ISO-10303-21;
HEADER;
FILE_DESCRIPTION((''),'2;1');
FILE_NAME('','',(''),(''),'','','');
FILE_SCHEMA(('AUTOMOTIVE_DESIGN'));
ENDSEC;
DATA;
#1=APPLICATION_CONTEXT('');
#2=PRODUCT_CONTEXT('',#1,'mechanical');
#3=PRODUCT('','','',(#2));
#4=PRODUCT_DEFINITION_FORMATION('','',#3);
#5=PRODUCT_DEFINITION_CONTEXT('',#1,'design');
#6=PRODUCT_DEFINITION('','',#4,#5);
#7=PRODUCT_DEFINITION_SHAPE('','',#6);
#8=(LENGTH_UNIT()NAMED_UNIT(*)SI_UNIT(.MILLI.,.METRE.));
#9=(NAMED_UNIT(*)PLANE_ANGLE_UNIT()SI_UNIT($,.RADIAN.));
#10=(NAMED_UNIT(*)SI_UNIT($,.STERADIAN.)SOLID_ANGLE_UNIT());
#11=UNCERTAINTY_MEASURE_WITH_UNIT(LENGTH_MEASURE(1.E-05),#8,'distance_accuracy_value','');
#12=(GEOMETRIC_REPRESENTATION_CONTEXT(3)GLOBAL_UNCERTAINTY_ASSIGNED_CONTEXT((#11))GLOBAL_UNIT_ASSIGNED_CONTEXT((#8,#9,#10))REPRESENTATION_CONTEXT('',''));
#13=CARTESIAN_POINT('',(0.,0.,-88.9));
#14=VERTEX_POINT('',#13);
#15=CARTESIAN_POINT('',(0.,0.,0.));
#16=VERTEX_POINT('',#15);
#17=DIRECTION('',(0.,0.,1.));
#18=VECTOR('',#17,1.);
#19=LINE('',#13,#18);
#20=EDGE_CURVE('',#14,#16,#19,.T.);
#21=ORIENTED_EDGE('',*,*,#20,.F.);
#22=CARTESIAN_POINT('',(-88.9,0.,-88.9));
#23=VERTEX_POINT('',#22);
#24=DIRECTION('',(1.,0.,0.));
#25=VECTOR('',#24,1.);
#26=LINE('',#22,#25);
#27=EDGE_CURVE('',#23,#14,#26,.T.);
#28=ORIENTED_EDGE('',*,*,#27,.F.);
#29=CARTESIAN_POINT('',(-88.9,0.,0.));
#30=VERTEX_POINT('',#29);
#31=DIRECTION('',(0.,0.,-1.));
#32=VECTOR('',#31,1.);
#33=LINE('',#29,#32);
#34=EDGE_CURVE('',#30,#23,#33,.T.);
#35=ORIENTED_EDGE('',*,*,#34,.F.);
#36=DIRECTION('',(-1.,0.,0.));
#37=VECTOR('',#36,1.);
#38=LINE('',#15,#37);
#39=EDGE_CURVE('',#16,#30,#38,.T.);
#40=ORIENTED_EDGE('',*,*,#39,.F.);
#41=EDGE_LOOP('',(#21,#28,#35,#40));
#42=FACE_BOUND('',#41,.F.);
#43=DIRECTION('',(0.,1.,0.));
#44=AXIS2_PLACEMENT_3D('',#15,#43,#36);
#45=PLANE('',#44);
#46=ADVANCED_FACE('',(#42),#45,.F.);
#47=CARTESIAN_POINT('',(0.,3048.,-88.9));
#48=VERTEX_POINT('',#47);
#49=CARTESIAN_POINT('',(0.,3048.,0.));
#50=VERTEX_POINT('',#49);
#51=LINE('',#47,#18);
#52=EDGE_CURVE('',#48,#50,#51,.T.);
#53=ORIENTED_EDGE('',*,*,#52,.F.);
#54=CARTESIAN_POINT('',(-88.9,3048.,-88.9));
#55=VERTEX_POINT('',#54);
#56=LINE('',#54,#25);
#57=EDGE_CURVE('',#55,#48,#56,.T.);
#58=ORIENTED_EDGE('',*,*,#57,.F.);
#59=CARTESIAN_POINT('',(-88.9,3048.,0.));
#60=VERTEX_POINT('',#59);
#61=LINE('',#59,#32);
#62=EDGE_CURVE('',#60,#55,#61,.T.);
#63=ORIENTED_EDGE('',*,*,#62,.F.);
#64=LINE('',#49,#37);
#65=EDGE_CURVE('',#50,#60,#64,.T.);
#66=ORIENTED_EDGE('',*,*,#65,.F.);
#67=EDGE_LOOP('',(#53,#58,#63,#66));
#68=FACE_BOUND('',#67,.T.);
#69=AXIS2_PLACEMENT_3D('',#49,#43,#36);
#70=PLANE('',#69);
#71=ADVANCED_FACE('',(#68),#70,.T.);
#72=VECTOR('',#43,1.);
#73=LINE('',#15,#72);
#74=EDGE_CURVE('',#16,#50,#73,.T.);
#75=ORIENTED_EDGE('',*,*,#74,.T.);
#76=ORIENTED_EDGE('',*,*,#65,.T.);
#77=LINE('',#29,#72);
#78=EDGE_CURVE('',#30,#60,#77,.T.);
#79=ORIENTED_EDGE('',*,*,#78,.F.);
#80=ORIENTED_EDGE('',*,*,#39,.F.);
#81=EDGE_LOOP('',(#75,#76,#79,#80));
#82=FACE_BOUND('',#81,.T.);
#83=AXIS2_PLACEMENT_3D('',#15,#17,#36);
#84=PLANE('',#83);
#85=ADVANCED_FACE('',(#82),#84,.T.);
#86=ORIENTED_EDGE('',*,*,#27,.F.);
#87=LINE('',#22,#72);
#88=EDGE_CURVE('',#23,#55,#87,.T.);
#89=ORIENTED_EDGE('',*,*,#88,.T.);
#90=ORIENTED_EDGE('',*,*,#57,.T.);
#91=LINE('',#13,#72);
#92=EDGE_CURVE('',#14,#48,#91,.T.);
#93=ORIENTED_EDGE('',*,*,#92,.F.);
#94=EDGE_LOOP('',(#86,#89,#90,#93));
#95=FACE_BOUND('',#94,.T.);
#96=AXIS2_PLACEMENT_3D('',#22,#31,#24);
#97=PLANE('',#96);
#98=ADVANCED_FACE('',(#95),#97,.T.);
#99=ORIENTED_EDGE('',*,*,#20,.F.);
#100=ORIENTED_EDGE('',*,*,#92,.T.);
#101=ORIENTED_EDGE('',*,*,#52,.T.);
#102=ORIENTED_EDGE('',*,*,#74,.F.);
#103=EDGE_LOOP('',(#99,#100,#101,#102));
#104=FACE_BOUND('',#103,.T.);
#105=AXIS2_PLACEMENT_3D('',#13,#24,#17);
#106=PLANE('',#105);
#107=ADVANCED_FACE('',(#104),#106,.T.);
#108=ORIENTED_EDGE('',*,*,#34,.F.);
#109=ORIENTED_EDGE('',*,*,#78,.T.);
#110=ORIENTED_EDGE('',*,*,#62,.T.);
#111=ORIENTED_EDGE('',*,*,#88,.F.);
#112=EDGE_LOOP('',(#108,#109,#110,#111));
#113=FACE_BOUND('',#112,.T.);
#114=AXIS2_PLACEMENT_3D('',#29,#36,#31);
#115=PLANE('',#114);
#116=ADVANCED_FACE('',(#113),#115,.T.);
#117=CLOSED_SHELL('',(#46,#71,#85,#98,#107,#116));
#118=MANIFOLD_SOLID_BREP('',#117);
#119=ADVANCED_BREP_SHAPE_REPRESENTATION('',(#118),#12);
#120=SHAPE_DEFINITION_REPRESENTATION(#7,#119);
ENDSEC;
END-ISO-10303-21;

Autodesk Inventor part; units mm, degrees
ref_plane "YZ Plane" through (0, 0, 0) normal (1, 0, 0) x (0, 1, 0)
ref_plane "XZ Plane" through (0, 0, 0) normal (0, 1, 0) x (-1, 0, 0)
ref_plane "XY Plane" through (0, 0, 0) normal (0, 0, 1) x (1, 0, 0)
sketch "Sketch1" plane through (0, 0, 0) normal (0, 1, 0) x (-1, 0, 0)
  line L0 (0, 0) -> (88.9, 0)
  line L1 (88.9, 0) -> (88.9, -88.9)
  line L2 (88.9, -88.9) -> (0, -88.9)
  line L3 (0, -88.9) -> (0, 0)
  dimension "d0" = 88.9
  dimension "d1" = 88.9
extrude "Extrusion1" add sketch "Sketch1" along normal blind 3048
properties part number "2ix2ix10feet"
